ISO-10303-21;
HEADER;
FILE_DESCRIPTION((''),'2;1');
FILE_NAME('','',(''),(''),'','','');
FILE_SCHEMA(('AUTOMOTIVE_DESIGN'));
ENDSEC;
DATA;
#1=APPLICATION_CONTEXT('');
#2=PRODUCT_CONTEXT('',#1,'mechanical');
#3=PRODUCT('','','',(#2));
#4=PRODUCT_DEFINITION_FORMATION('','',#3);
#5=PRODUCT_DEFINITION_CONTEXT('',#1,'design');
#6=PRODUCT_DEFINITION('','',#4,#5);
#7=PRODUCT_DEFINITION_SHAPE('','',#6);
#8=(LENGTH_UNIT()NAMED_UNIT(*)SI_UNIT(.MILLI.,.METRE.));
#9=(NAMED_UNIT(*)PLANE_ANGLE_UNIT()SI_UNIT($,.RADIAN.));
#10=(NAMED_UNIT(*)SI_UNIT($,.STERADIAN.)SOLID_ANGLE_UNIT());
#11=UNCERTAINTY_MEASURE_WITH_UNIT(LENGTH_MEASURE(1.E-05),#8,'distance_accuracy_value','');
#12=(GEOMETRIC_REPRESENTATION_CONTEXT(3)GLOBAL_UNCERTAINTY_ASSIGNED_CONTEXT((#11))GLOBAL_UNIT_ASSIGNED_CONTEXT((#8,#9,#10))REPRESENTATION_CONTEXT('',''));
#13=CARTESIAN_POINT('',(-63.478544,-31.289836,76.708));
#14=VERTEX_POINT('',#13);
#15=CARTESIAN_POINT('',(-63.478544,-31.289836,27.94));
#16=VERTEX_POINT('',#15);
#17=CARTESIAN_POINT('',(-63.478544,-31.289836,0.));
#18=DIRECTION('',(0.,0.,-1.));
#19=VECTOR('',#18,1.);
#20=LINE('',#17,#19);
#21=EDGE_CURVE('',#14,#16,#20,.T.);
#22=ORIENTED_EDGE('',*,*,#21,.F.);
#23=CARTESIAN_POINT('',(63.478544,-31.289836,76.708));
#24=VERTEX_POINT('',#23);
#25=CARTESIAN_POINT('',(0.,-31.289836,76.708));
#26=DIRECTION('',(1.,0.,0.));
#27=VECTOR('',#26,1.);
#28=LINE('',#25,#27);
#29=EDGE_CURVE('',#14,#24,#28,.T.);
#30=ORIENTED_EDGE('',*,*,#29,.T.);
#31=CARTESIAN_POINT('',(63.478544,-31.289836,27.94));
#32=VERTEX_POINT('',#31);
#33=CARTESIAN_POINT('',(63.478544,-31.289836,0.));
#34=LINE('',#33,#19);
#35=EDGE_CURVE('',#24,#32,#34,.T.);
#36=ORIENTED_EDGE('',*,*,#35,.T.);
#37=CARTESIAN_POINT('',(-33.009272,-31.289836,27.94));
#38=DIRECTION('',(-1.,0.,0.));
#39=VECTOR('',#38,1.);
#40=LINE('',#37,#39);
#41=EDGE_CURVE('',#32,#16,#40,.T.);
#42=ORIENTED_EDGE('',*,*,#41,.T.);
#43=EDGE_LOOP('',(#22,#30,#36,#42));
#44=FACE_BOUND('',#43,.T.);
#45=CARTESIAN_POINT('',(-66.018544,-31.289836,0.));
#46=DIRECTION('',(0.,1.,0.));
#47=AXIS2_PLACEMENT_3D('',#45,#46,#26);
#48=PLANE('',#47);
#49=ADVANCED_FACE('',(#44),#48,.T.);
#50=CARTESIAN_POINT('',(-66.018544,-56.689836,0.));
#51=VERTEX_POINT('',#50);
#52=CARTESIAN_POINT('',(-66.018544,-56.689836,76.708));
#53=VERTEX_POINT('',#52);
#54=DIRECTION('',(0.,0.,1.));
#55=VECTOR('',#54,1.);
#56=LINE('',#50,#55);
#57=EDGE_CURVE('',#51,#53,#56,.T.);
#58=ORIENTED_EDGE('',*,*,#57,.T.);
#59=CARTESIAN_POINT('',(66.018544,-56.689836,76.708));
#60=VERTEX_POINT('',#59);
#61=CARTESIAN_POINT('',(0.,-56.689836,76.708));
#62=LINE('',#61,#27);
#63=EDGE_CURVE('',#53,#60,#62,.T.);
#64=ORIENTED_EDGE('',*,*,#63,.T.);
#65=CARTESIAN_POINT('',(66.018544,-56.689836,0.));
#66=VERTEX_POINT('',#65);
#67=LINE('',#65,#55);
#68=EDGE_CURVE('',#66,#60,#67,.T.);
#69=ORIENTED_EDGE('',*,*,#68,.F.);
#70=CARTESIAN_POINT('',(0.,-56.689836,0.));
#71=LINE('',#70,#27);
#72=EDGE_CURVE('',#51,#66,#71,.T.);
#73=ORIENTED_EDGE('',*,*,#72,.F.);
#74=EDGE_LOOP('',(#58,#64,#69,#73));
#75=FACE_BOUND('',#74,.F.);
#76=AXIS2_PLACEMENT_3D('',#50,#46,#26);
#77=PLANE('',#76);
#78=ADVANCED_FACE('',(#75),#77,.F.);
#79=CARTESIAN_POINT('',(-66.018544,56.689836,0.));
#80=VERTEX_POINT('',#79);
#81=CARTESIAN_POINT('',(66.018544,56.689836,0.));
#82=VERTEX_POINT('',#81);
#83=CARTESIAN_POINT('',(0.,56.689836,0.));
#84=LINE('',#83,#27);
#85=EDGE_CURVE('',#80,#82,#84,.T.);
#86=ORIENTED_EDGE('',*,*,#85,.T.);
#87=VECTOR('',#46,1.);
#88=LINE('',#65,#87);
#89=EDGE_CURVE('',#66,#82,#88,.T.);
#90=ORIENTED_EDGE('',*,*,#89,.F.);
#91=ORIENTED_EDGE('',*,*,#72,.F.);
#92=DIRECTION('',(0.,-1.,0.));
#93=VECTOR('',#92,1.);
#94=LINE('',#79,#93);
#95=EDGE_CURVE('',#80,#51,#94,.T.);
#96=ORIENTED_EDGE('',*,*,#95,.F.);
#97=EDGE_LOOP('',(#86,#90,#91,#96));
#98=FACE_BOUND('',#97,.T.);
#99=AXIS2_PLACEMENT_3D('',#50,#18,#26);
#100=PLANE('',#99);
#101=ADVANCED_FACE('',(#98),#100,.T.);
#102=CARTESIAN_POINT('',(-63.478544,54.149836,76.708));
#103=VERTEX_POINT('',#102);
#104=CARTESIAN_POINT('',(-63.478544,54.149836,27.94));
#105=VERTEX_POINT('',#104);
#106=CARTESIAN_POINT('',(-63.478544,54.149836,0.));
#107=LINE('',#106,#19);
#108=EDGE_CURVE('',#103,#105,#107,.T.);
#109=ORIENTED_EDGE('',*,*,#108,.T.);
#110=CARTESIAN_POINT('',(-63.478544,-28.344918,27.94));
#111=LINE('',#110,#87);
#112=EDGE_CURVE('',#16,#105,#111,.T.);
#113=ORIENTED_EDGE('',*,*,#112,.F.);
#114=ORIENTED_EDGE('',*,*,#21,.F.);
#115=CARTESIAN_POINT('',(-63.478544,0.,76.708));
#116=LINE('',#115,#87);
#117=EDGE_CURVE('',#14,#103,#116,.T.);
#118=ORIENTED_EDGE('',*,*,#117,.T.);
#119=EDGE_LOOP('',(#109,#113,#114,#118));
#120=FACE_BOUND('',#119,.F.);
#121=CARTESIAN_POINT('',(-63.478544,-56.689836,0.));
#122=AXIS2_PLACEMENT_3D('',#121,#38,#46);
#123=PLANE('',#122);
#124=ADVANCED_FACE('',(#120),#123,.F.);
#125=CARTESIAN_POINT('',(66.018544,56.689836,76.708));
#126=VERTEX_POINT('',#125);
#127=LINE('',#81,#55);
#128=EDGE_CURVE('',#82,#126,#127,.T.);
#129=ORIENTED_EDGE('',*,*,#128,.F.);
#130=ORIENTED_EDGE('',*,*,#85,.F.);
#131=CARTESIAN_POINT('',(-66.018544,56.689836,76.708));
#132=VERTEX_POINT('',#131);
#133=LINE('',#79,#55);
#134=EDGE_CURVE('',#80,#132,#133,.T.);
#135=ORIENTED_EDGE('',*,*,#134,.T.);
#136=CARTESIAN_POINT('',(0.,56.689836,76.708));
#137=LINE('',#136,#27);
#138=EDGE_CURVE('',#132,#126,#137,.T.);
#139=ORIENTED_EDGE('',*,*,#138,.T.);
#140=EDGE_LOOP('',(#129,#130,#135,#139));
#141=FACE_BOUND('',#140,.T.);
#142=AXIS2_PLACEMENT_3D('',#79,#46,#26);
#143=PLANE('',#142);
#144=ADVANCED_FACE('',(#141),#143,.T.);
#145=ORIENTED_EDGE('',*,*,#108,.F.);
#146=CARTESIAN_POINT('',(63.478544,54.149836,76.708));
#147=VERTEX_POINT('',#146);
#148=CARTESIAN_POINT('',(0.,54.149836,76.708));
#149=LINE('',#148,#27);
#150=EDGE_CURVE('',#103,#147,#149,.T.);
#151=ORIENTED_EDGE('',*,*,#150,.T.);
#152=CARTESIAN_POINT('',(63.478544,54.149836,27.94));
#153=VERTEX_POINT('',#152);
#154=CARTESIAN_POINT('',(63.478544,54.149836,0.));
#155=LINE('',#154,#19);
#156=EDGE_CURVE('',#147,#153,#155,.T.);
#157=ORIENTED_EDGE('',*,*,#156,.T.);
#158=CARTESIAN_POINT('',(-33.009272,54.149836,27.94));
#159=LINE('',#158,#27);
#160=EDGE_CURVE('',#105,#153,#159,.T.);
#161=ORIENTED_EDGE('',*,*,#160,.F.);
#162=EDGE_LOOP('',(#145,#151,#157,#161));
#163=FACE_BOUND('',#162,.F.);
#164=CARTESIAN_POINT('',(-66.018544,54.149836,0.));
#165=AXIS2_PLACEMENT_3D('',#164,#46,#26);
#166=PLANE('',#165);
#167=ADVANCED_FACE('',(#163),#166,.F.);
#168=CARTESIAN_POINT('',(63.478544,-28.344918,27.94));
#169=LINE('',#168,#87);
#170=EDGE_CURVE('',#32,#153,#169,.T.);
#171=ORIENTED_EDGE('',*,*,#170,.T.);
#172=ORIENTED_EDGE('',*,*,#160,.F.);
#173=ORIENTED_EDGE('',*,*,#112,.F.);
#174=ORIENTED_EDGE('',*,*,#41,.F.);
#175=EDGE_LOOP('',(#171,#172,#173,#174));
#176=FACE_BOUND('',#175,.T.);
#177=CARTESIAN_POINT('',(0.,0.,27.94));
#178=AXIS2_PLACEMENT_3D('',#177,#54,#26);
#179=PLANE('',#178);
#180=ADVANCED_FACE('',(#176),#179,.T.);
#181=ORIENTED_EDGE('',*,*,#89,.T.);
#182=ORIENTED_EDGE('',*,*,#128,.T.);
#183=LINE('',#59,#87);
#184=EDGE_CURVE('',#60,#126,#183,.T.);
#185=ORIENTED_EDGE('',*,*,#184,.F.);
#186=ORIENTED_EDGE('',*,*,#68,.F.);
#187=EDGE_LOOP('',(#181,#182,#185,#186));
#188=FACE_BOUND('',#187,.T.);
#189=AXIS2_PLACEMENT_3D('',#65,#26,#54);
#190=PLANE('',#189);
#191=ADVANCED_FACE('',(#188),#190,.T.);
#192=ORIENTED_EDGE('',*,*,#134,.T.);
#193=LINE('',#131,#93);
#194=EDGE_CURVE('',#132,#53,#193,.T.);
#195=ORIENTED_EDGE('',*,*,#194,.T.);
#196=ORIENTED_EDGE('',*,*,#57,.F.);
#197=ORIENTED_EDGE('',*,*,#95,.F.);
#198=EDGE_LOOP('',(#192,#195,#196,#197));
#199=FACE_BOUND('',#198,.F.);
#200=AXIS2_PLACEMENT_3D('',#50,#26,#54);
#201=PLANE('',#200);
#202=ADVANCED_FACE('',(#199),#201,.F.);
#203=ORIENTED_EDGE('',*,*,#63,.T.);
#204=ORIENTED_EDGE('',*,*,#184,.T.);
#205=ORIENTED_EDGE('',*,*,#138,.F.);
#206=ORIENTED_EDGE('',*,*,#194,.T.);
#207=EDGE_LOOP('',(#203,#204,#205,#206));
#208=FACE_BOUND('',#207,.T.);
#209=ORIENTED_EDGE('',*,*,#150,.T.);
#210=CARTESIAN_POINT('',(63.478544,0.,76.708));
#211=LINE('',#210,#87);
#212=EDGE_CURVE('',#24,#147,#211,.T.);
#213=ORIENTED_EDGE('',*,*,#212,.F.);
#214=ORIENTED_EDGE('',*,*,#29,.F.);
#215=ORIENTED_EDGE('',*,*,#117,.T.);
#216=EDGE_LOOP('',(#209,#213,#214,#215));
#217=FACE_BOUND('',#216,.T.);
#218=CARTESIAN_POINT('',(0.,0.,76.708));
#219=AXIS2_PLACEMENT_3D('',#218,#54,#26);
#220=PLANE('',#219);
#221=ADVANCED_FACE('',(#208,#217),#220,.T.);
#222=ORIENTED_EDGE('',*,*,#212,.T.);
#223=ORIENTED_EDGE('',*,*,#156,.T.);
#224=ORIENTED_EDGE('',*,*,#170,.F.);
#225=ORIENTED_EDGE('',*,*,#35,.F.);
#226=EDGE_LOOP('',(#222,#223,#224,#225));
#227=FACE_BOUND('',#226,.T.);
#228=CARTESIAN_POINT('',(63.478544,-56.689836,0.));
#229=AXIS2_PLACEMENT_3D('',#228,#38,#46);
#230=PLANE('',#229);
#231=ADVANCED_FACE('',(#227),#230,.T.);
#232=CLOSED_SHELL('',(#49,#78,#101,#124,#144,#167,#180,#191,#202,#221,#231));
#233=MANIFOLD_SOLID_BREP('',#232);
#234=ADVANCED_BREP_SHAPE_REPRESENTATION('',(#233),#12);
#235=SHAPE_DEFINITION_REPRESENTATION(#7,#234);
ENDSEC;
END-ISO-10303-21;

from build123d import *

# Parameters (mm, degrees)
F0_W     = 132.037088275
F0_H     = 113.3796721697
F1_DEPTH = 76.708
F2_T     = -2.54
F3_DEPTH = 25.4
F4_DEPTH = 25.4


with BuildPart() as f1:
    # F0 (on Top) → F1 (new body)
    with BuildSketch(Plane.XY):
        Rectangle(F0_W, F0_H)
    extrude(amount=F1_DEPTH)

    # F2
    f2_openings = [f1.faces().sort_by_distance(p)[0] for p in [
        (0, 0, 76.708),
    ]]
    offset(amount=F2_T, openings=f2_openings)

    # F3 (add): a face of the model
    f3_faces = [f1.faces().sort_by_distance(p)[0] for p in [
        (0, 0, 2.54),
    ]]
    extrude(f3_faces, amount=F3_DEPTH)

    # F4 (add): a face of the model
    f4_faces = [f1.faces().sort_by_distance(p)[0] for p in [
        (0, -56.6898360848, 38.354),
    ]]
    extrude(f4_faces, amount=-F4_DEPTH)


solid = f1.part
